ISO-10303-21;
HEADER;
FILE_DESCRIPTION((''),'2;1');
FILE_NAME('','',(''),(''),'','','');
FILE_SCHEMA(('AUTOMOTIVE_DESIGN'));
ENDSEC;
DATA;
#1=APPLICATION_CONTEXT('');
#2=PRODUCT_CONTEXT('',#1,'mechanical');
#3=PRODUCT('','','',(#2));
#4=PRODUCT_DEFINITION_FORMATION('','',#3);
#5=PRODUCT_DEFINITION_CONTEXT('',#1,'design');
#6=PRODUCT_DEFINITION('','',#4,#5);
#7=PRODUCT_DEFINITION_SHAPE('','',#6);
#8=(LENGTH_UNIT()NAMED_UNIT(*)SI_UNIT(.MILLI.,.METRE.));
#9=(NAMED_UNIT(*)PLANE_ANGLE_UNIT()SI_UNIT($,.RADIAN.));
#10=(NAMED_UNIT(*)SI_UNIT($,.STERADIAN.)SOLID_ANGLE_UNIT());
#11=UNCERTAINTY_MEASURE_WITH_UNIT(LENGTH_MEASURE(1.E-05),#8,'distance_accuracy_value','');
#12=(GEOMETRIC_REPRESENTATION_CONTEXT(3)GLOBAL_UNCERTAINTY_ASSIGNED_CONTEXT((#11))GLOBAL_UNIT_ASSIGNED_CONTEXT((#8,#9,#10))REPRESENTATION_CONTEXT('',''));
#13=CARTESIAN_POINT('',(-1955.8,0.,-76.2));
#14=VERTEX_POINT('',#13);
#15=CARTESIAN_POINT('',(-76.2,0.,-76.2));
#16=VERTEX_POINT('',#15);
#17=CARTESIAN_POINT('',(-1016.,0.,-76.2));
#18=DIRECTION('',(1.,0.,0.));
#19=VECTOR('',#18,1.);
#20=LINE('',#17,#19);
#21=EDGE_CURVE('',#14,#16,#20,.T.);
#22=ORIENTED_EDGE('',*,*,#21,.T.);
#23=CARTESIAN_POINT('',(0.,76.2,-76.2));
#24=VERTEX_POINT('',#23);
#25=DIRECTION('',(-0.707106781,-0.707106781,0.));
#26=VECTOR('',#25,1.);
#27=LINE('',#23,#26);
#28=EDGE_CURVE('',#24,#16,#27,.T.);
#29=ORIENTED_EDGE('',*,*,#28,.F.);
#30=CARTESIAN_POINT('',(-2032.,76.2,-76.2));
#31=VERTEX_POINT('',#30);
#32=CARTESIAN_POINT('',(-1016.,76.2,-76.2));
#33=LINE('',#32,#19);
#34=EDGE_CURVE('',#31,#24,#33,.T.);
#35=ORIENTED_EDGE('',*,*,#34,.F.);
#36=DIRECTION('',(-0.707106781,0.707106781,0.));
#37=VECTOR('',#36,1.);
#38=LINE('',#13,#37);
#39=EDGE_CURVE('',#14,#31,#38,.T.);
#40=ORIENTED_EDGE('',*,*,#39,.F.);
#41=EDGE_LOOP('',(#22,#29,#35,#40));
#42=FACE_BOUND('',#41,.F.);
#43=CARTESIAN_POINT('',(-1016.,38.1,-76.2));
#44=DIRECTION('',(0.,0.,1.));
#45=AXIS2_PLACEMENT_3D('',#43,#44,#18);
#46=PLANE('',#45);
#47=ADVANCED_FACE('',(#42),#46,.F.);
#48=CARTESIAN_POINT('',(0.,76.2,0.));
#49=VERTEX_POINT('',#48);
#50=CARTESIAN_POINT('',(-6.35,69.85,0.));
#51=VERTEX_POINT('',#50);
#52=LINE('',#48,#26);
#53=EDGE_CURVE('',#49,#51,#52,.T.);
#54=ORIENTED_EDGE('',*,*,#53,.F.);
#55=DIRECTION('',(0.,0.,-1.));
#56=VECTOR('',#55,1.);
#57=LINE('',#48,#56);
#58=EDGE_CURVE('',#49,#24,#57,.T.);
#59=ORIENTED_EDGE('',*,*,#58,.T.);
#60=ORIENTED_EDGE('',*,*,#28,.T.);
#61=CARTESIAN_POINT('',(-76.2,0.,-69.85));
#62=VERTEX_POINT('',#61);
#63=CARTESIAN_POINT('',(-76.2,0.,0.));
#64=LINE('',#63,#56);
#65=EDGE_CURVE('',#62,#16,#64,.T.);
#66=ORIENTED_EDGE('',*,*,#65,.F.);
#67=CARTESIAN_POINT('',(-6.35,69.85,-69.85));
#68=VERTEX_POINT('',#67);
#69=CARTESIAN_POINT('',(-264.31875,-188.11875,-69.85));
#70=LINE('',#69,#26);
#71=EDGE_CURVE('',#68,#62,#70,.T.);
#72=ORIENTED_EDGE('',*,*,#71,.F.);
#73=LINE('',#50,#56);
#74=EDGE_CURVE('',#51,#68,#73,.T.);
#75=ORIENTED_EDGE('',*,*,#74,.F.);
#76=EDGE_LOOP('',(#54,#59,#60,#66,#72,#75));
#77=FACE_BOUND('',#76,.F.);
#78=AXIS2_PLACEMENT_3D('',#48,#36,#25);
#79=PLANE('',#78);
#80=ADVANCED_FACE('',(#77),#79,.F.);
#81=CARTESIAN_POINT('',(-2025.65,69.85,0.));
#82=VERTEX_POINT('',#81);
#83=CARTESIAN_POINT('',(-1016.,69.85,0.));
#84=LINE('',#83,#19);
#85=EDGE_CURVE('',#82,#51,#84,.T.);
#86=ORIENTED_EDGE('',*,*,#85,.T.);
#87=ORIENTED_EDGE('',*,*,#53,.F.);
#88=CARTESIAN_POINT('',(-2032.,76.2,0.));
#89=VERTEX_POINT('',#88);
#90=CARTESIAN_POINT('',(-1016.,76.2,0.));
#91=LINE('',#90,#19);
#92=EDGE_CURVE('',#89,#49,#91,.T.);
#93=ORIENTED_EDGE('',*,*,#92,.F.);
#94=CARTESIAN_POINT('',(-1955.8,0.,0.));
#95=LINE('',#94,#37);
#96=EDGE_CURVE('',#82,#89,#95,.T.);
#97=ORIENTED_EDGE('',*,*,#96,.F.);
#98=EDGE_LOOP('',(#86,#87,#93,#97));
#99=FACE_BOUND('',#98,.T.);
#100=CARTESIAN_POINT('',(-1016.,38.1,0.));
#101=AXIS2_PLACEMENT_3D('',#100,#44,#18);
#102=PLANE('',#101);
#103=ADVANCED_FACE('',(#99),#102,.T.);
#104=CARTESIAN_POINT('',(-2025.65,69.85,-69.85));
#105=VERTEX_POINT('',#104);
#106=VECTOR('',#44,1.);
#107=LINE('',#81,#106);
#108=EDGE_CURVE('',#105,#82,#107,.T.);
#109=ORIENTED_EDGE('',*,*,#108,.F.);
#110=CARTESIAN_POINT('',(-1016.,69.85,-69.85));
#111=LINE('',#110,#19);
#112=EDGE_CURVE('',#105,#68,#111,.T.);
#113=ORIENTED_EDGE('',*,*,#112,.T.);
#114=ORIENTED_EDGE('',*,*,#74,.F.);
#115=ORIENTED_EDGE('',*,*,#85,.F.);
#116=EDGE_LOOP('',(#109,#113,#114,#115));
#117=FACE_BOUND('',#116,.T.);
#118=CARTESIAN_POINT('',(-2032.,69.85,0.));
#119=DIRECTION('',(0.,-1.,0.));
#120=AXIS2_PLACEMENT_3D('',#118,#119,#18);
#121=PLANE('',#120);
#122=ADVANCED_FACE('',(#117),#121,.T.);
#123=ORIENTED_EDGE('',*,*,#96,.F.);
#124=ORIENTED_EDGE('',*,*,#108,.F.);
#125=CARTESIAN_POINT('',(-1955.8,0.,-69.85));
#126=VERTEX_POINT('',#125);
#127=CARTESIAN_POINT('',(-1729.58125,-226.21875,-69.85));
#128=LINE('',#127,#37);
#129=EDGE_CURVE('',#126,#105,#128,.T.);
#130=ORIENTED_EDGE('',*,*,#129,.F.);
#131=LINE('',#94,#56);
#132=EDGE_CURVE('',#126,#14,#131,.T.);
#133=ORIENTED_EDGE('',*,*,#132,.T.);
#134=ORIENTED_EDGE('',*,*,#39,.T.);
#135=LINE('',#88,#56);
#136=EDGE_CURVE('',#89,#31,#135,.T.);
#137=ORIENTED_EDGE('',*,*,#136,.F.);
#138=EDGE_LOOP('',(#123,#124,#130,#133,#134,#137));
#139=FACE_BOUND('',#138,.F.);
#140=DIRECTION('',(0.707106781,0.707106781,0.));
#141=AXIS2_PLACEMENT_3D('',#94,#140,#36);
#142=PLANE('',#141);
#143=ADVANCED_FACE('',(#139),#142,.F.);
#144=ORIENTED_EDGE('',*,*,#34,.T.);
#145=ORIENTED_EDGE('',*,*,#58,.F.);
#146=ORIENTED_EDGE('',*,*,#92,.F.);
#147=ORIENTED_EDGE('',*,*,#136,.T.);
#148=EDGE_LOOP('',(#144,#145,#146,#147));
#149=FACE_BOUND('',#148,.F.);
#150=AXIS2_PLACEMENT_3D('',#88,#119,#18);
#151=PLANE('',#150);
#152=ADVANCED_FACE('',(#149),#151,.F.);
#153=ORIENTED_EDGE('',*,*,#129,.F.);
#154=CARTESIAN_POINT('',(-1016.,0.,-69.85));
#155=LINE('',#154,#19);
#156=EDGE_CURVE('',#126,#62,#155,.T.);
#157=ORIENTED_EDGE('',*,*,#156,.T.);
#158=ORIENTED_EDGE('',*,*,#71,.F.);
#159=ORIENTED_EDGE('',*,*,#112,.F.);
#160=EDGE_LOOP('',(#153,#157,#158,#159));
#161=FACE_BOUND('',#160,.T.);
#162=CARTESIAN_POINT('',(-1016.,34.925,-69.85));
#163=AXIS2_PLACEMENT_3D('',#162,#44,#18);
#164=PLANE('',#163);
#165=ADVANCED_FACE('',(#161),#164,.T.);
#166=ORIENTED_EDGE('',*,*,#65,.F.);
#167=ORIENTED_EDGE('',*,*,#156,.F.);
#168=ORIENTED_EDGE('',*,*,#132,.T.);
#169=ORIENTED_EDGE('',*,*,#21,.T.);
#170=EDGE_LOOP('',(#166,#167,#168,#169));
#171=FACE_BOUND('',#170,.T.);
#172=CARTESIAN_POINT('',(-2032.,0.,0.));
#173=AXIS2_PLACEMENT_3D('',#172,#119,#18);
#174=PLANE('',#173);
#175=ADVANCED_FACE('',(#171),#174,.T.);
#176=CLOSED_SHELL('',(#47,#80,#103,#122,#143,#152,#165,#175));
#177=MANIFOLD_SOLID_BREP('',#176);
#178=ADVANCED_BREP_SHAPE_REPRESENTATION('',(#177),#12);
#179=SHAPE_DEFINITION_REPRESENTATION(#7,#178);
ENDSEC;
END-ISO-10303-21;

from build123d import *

# Parameters (mm, degrees)
F0_W     = 2032
F0_H     = 76.2
F1_DEPTH = 76.2
F2_W     = 2032
F2_H     = 69.85
F3_DEPTH = 69.85
F5_DEPTH = 76.2


with BuildPart() as f1:
    # F0 (on Top) → F1 (new body)
    with BuildSketch(Plane.XY):
        with Locations((-1016, 38.1)):
            Rectangle(F0_W, F0_H)
    extrude(amount=-F1_DEPTH)

    # F2 (on face) → F3 (cut)
    with BuildSketch(Plane.XY):
        with Locations((-1016, 34.925)):
            Rectangle(F2_W, F2_H)
    extrude(amount=-F3_DEPTH, mode=Mode.SUBTRACT)

    # F4 (on face) → F5 (cut)
    with BuildSketch(Plane.XY):
        Polygon((-1955.8, 0), (-2032, 76.2), (-2032, 0), align=None)
        Polygon((0, 76.2), (-76.2, 0), (0, 0), align=None)
    extrude(amount=-F5_DEPTH, mode=Mode.SUBTRACT)


solid = f1.part
